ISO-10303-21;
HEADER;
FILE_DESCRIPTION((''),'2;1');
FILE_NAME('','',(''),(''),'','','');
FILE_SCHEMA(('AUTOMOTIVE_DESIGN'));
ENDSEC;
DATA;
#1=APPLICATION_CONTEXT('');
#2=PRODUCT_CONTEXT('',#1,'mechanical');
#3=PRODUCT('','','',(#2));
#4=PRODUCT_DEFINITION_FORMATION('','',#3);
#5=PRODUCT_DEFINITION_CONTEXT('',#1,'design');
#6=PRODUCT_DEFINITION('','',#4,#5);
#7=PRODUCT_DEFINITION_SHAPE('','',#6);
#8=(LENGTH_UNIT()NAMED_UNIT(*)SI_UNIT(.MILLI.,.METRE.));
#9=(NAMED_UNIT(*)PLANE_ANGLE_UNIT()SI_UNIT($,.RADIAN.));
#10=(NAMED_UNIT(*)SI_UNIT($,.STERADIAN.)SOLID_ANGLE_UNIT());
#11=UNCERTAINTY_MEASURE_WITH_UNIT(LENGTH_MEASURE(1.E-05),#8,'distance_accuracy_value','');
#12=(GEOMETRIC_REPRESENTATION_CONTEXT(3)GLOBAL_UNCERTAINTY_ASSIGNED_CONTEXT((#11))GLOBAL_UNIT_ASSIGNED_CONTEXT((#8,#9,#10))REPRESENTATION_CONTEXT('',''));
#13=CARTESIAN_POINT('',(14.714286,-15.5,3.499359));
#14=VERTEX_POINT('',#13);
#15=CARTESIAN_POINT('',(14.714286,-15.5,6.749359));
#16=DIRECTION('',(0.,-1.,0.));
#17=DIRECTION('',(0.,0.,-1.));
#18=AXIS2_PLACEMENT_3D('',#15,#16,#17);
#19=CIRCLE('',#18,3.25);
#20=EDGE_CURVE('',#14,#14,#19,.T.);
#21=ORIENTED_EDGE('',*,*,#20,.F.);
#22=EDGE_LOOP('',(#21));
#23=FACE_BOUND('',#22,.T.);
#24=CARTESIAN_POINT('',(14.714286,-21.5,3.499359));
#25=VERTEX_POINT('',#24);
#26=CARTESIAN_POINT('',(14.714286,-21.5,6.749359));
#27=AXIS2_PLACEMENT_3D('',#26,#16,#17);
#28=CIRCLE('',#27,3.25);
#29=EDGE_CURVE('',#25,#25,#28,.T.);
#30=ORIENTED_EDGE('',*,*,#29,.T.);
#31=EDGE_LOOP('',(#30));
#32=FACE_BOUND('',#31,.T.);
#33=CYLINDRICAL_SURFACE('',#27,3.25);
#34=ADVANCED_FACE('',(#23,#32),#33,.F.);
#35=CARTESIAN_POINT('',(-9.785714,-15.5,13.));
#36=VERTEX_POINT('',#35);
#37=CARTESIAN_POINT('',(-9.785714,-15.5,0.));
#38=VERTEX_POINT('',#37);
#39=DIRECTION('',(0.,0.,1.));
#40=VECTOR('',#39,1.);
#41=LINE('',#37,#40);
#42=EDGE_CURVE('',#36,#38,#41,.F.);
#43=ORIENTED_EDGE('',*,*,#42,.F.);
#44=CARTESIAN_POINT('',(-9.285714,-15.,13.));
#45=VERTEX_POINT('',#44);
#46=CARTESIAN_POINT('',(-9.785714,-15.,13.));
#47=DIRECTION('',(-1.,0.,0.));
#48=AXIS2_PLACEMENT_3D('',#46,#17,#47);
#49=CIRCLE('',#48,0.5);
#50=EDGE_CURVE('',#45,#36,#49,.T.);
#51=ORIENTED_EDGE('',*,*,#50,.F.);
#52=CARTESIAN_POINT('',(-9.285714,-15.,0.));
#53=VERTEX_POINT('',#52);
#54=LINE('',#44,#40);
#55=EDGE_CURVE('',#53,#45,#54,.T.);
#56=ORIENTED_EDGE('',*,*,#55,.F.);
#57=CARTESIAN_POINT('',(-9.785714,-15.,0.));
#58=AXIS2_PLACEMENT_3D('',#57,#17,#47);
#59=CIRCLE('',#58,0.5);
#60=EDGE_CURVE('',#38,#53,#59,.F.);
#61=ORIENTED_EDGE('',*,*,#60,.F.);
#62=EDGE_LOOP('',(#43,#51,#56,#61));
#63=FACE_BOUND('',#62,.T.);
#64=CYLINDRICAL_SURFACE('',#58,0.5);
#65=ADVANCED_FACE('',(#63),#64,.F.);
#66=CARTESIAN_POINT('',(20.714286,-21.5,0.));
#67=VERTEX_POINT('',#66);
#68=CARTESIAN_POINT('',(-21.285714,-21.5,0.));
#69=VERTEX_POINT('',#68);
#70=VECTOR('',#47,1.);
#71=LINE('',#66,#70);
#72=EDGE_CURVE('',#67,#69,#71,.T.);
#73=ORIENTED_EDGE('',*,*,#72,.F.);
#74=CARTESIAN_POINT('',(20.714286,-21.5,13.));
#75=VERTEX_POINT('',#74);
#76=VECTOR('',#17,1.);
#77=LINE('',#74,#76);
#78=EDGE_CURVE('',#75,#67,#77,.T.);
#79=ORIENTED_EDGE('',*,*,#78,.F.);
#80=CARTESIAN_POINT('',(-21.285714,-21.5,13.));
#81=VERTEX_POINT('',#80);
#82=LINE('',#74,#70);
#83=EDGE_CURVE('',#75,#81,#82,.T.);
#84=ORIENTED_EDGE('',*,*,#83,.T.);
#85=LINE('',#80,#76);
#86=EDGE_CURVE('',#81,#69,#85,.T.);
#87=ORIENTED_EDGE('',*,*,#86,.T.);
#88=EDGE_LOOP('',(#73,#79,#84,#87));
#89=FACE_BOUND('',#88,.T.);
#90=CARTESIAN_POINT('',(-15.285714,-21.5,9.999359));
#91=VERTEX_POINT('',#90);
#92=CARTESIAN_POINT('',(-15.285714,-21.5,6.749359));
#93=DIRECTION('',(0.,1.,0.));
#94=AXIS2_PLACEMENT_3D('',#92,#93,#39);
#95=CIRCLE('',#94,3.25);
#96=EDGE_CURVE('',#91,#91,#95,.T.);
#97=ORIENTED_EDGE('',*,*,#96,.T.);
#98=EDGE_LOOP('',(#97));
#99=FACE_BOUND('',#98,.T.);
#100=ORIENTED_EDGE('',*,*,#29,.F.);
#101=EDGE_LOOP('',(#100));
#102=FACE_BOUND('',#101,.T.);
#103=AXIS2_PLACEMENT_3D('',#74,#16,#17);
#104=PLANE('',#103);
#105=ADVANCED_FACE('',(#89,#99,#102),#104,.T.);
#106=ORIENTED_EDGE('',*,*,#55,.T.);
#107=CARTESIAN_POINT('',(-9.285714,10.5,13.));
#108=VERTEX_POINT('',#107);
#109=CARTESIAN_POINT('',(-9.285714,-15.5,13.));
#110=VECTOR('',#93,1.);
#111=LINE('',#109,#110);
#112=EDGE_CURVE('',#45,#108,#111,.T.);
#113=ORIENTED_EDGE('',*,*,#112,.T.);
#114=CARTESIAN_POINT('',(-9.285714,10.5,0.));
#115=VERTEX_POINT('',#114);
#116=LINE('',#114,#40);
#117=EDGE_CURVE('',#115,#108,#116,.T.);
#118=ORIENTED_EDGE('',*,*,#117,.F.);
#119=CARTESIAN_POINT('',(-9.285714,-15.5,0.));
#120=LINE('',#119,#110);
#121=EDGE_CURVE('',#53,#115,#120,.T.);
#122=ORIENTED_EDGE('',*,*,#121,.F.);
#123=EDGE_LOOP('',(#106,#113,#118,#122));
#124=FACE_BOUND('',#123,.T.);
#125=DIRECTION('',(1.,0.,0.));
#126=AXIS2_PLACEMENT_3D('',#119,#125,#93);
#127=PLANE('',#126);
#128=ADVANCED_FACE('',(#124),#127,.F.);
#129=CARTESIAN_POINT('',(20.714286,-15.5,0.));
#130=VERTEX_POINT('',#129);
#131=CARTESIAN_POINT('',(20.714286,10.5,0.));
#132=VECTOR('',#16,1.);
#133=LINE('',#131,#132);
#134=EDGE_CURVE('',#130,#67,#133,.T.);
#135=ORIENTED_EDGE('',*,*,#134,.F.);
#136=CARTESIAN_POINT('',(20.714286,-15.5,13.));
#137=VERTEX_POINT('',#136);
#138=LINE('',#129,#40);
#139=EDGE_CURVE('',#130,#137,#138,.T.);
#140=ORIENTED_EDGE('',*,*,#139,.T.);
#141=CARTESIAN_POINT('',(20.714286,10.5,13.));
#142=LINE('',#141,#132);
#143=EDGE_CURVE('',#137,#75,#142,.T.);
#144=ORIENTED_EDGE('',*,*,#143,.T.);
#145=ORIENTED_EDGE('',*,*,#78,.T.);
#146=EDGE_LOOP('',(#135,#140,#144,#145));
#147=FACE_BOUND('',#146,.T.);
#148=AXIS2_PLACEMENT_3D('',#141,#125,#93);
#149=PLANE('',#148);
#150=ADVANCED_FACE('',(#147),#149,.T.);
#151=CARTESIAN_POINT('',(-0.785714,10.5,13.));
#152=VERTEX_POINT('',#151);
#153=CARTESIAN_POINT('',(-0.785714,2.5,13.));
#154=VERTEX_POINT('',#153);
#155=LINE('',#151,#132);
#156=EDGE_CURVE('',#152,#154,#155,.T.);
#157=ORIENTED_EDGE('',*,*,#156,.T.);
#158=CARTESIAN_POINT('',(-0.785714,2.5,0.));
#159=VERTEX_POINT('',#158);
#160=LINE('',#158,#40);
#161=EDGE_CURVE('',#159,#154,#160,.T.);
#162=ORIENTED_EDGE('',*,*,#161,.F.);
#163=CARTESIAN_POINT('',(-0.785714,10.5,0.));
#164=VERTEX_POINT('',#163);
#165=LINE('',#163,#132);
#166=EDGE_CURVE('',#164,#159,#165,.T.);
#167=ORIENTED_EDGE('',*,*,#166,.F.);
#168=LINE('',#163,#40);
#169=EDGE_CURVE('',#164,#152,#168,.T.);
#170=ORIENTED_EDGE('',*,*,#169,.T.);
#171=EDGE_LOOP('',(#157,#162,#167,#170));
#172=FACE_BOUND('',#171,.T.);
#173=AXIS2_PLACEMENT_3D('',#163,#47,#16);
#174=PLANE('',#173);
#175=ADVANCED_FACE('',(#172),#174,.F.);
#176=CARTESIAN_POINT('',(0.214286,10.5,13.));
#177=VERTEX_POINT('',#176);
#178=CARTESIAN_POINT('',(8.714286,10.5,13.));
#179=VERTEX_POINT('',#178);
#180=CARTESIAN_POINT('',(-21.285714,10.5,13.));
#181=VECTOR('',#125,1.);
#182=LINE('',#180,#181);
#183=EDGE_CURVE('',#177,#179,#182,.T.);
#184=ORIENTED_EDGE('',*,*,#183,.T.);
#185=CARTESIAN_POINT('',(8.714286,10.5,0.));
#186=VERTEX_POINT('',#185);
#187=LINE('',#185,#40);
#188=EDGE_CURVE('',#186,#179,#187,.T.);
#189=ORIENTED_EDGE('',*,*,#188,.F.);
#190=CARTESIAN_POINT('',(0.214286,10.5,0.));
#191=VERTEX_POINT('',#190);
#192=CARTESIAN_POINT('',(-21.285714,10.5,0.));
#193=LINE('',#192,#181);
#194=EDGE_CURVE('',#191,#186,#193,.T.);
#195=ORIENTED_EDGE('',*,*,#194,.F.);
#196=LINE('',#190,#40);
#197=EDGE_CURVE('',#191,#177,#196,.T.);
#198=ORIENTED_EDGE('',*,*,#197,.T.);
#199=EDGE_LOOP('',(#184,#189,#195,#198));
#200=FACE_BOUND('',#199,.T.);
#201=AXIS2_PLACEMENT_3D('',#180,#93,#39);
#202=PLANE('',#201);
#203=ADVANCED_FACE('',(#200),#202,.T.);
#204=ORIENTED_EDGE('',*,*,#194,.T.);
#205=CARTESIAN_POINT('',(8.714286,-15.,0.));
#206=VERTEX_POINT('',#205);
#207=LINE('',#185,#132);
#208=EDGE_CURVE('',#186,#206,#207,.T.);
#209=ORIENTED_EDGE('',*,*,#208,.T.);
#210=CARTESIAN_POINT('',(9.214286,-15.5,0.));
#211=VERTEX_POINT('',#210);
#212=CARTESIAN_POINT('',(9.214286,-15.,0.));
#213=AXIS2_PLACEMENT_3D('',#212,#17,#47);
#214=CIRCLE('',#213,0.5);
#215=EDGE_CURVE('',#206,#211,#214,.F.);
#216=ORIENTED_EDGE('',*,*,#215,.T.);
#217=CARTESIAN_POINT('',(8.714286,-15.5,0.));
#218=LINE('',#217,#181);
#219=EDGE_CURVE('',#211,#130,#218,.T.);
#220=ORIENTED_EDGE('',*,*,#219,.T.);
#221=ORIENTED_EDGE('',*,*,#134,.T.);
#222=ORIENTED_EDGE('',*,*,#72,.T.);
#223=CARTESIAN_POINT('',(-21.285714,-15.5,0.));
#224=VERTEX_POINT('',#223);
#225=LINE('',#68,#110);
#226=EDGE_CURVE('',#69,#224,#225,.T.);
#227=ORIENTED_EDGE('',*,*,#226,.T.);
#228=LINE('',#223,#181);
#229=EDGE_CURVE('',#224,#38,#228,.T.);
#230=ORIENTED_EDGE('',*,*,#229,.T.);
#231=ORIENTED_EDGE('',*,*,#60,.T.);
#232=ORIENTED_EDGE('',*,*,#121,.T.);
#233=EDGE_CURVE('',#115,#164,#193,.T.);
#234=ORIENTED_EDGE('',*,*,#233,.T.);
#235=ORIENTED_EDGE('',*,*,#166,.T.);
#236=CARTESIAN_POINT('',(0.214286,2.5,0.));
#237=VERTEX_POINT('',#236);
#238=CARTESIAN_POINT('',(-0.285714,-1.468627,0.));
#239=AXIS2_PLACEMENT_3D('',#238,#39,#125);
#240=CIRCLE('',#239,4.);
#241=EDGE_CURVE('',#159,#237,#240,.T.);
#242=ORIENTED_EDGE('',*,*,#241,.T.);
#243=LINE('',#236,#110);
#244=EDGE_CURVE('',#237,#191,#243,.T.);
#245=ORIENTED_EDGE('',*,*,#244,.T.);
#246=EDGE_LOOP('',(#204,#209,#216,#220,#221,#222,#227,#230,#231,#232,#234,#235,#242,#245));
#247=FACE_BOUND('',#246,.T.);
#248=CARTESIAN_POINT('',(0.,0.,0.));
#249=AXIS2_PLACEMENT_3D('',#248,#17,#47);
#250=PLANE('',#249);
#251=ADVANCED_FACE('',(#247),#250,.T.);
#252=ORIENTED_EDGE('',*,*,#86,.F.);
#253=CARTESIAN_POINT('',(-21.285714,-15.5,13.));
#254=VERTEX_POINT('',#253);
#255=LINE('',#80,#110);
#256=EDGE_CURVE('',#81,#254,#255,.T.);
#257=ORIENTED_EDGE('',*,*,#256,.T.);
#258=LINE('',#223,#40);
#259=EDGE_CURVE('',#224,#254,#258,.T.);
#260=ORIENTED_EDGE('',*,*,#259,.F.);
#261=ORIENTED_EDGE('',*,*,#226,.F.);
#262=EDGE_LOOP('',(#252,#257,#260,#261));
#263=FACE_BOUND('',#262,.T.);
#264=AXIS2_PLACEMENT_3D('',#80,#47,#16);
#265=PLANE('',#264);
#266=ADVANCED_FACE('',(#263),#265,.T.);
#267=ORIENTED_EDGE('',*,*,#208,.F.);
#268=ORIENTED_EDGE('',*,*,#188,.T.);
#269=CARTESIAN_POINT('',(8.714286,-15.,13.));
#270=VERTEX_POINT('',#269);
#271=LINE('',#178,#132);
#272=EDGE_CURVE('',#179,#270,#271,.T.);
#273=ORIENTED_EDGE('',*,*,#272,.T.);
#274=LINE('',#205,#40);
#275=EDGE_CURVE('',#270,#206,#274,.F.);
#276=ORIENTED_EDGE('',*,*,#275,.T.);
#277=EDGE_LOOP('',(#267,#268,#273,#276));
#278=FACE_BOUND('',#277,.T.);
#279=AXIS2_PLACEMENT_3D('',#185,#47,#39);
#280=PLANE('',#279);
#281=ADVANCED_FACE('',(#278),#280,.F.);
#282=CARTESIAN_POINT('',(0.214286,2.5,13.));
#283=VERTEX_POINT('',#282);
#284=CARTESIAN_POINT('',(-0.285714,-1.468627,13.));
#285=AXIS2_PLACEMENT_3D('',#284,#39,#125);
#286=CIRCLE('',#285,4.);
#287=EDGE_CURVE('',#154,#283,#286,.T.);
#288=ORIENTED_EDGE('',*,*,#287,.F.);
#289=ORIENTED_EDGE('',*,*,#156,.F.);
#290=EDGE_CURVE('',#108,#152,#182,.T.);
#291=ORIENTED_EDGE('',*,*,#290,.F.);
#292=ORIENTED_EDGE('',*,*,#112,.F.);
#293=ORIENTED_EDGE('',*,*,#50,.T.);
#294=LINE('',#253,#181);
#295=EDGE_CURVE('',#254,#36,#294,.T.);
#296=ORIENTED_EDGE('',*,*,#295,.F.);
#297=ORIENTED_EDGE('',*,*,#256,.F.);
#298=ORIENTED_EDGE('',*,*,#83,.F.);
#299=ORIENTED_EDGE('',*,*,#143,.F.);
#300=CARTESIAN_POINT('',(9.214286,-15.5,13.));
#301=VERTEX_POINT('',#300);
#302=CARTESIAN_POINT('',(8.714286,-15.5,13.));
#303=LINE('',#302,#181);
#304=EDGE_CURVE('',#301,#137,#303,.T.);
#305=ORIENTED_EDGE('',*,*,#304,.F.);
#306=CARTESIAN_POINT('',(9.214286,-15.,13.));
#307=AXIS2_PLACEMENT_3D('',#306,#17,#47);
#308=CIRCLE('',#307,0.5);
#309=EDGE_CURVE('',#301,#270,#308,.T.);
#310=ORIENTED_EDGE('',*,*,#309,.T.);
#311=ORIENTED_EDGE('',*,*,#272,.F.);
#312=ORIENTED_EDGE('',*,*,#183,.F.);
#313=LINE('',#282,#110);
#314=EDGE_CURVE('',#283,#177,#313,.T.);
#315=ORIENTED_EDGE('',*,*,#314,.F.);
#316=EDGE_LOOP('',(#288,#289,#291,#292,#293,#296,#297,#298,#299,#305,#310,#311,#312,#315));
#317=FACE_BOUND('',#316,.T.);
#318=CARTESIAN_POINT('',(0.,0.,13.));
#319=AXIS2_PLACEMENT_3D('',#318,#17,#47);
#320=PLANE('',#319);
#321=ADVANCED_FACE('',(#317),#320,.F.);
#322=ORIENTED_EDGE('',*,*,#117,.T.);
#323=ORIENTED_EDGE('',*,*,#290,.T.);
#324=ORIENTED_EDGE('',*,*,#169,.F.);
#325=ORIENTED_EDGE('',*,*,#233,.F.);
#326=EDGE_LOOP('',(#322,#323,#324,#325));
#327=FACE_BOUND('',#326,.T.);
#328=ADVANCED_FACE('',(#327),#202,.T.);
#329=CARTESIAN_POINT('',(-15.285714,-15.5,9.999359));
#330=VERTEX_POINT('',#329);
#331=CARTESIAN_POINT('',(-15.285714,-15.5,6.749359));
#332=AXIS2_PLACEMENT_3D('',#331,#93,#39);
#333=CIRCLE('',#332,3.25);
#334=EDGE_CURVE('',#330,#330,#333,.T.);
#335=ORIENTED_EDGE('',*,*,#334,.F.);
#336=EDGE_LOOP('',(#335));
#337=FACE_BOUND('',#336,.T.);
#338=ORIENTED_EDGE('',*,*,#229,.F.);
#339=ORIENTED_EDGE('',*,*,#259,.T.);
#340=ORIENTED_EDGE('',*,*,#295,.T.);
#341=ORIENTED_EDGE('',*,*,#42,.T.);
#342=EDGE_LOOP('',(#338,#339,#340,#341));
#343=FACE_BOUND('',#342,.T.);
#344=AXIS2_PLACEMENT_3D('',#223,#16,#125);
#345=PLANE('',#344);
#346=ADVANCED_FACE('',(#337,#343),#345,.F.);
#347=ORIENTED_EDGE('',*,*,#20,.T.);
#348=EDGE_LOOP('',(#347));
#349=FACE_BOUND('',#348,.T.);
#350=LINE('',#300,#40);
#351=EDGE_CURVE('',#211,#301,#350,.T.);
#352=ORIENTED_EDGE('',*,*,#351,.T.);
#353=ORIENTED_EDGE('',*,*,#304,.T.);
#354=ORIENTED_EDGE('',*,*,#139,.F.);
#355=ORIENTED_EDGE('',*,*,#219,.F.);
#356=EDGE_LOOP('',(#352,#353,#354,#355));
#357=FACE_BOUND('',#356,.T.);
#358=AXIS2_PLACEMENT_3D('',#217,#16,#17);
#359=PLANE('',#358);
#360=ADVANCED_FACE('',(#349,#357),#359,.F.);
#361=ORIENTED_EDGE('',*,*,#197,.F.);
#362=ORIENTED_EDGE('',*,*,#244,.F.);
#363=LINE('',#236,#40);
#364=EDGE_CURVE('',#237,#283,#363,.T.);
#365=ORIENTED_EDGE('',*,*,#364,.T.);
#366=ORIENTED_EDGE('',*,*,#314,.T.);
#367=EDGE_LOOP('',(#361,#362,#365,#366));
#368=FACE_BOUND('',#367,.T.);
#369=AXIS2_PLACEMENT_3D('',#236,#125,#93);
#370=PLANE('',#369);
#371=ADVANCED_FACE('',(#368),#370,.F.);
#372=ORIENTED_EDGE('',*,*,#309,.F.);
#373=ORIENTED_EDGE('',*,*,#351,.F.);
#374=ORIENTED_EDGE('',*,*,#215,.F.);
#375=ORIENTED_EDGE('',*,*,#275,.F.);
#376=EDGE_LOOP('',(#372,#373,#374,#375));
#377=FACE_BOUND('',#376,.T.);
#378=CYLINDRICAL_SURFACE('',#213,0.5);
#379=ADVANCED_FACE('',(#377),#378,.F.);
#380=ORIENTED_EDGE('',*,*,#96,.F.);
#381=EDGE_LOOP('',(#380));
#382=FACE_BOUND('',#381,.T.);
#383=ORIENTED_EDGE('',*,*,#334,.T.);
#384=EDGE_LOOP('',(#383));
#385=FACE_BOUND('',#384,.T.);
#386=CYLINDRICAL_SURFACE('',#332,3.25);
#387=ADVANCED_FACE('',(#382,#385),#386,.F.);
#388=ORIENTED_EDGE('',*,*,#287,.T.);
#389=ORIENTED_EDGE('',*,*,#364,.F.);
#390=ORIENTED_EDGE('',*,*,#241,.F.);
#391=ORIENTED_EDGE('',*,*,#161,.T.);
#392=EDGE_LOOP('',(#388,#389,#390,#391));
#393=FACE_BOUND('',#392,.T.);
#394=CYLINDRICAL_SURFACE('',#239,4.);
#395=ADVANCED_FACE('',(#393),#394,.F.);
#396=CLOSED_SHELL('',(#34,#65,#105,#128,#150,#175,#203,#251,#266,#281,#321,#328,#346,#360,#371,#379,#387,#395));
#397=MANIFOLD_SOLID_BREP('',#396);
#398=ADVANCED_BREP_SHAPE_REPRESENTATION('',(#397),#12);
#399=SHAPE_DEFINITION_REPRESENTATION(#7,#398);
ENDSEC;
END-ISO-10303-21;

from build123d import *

# Parameters (mm, degrees)
SKETCH1_W                      = 42
SKETCH1_H                      = 32
BOSS_EXTRUDE1_DEPTH            = 13
SKETCH2_W                      = 12
SKETCH2_H                      = 26
CUT_EXTRUDE1_DEPTH             = 33.929191193
SKETCH3_W                      = 12
SKETCH3_H                      = 26
CUT_EXTRUDE2_DEPTH             = 33.929191193
CUT_EXTRUDE3_DEPTH             = 33.929191193
SKETCH5_W                      = 4
SKETCH5_H                      = 13
F_6_5_6_5_DIAMETER_HOLE1_D     = 6.5
F_6_5_6_5_DIAMETER_HOLE1_DEPTH = 32
F_6_5_6_5_DIAMETER_HOLE2_D     = 6.5
FILLET1_R                      = 0.5


with BuildPart() as part:
    # Sketch1 → Boss-Extrude1 (new body)
    with BuildSketch(Plane(origin=(0, 0, 0), x_dir=(-1, 0, 0), z_dir=(0, 0, -1))):
        with Locations((0.285714286, -5.5)):
            Rectangle(SKETCH1_W, SKETCH1_H)
    extrude(amount=-BOSS_EXTRUDE1_DEPTH)

    # Sketch2 → Cut-Extrude1 (cut, through all)
    with BuildSketch(Plane.XY.offset(13)):
        with Locations((14.714285714, -2.5)):
            Rectangle(SKETCH2_W, SKETCH2_H)
    extrude(amount=-CUT_EXTRUDE1_DEPTH, mode=Mode.SUBTRACT)

    # Sketch3 → Cut-Extrude2 (cut, through all)
    with BuildSketch(Plane.XY.offset(13)):
        with Locations((-15.285714286, -2.5)):
            Rectangle(SKETCH3_W, SKETCH3_H)
    extrude(amount=-CUT_EXTRUDE2_DEPTH, mode=Mode.SUBTRACT)

    # Sketch4 → Cut-Extrude3 (cut, through all)
    with BuildSketch(Plane.XY.offset(13)):
        with BuildLine():
            Line((0.214285714, 10.5), (-0.785714286, 10.5))
            Line((-0.785714286, 10.5), (-0.785714286, 2.5))
            ThreePointArc((-0.785714286, 2.5), (-0.285714286, 2.531373033), (0.214285714, 2.5))
            Line((0.214285714, 2.5), (0.214285714, 10.5))
        make_face()
    extrude(amount=-CUT_EXTRUDE3_DEPTH, mode=Mode.SUBTRACT)

    # Sketch5 → Cut-Revolve1 (revolve, cut)
    with BuildSketch(Plane(origin=(0, -1.468626967, 0), x_dir=(1, 0, 0), z_dir=(0, 1, 0))):
        with Locations((1.714285714, -6.5)):
            Rectangle(SKETCH5_W, SKETCH5_H)
    revolve(axis=Axis((-0.285714286, -1.468626967, 0), (0, 0, 1)), mode=Mode.SUBTRACT)

    # Ø6.5 (6.5) Diameter Hole1
    with Locations(Plane(origin=(0, -21.5, 0), x_dir=(-1, 0, 0), z_dir=(0, -1, 0))):
        with Locations((-14.714285714, -6.749358536)):
            Hole(F_6_5_6_5_DIAMETER_HOLE1_D / 2, depth=F_6_5_6_5_DIAMETER_HOLE1_DEPTH)

    # Ø6.5 (6.5) Diameter Hole2 (through all)
    with Locations(Plane(origin=(0, -15.5, 0), x_dir=(1, 0, 0), z_dir=(0, 1, 0))):
        with Locations((-15.285714286, -6.749358536)):
            Hole(F_6_5_6_5_DIAMETER_HOLE2_D / 2)

    # Fillet1
    fillet1_edges = [part.edges().sort_by_distance(p)[0] for p in [
        (8.714285714, -15.5, 6.5),
        (-9.285714286, -15.5, 6.5),
    ]]
    fillet(fillet1_edges, radius=FILLET1_R)


solid = part.part
